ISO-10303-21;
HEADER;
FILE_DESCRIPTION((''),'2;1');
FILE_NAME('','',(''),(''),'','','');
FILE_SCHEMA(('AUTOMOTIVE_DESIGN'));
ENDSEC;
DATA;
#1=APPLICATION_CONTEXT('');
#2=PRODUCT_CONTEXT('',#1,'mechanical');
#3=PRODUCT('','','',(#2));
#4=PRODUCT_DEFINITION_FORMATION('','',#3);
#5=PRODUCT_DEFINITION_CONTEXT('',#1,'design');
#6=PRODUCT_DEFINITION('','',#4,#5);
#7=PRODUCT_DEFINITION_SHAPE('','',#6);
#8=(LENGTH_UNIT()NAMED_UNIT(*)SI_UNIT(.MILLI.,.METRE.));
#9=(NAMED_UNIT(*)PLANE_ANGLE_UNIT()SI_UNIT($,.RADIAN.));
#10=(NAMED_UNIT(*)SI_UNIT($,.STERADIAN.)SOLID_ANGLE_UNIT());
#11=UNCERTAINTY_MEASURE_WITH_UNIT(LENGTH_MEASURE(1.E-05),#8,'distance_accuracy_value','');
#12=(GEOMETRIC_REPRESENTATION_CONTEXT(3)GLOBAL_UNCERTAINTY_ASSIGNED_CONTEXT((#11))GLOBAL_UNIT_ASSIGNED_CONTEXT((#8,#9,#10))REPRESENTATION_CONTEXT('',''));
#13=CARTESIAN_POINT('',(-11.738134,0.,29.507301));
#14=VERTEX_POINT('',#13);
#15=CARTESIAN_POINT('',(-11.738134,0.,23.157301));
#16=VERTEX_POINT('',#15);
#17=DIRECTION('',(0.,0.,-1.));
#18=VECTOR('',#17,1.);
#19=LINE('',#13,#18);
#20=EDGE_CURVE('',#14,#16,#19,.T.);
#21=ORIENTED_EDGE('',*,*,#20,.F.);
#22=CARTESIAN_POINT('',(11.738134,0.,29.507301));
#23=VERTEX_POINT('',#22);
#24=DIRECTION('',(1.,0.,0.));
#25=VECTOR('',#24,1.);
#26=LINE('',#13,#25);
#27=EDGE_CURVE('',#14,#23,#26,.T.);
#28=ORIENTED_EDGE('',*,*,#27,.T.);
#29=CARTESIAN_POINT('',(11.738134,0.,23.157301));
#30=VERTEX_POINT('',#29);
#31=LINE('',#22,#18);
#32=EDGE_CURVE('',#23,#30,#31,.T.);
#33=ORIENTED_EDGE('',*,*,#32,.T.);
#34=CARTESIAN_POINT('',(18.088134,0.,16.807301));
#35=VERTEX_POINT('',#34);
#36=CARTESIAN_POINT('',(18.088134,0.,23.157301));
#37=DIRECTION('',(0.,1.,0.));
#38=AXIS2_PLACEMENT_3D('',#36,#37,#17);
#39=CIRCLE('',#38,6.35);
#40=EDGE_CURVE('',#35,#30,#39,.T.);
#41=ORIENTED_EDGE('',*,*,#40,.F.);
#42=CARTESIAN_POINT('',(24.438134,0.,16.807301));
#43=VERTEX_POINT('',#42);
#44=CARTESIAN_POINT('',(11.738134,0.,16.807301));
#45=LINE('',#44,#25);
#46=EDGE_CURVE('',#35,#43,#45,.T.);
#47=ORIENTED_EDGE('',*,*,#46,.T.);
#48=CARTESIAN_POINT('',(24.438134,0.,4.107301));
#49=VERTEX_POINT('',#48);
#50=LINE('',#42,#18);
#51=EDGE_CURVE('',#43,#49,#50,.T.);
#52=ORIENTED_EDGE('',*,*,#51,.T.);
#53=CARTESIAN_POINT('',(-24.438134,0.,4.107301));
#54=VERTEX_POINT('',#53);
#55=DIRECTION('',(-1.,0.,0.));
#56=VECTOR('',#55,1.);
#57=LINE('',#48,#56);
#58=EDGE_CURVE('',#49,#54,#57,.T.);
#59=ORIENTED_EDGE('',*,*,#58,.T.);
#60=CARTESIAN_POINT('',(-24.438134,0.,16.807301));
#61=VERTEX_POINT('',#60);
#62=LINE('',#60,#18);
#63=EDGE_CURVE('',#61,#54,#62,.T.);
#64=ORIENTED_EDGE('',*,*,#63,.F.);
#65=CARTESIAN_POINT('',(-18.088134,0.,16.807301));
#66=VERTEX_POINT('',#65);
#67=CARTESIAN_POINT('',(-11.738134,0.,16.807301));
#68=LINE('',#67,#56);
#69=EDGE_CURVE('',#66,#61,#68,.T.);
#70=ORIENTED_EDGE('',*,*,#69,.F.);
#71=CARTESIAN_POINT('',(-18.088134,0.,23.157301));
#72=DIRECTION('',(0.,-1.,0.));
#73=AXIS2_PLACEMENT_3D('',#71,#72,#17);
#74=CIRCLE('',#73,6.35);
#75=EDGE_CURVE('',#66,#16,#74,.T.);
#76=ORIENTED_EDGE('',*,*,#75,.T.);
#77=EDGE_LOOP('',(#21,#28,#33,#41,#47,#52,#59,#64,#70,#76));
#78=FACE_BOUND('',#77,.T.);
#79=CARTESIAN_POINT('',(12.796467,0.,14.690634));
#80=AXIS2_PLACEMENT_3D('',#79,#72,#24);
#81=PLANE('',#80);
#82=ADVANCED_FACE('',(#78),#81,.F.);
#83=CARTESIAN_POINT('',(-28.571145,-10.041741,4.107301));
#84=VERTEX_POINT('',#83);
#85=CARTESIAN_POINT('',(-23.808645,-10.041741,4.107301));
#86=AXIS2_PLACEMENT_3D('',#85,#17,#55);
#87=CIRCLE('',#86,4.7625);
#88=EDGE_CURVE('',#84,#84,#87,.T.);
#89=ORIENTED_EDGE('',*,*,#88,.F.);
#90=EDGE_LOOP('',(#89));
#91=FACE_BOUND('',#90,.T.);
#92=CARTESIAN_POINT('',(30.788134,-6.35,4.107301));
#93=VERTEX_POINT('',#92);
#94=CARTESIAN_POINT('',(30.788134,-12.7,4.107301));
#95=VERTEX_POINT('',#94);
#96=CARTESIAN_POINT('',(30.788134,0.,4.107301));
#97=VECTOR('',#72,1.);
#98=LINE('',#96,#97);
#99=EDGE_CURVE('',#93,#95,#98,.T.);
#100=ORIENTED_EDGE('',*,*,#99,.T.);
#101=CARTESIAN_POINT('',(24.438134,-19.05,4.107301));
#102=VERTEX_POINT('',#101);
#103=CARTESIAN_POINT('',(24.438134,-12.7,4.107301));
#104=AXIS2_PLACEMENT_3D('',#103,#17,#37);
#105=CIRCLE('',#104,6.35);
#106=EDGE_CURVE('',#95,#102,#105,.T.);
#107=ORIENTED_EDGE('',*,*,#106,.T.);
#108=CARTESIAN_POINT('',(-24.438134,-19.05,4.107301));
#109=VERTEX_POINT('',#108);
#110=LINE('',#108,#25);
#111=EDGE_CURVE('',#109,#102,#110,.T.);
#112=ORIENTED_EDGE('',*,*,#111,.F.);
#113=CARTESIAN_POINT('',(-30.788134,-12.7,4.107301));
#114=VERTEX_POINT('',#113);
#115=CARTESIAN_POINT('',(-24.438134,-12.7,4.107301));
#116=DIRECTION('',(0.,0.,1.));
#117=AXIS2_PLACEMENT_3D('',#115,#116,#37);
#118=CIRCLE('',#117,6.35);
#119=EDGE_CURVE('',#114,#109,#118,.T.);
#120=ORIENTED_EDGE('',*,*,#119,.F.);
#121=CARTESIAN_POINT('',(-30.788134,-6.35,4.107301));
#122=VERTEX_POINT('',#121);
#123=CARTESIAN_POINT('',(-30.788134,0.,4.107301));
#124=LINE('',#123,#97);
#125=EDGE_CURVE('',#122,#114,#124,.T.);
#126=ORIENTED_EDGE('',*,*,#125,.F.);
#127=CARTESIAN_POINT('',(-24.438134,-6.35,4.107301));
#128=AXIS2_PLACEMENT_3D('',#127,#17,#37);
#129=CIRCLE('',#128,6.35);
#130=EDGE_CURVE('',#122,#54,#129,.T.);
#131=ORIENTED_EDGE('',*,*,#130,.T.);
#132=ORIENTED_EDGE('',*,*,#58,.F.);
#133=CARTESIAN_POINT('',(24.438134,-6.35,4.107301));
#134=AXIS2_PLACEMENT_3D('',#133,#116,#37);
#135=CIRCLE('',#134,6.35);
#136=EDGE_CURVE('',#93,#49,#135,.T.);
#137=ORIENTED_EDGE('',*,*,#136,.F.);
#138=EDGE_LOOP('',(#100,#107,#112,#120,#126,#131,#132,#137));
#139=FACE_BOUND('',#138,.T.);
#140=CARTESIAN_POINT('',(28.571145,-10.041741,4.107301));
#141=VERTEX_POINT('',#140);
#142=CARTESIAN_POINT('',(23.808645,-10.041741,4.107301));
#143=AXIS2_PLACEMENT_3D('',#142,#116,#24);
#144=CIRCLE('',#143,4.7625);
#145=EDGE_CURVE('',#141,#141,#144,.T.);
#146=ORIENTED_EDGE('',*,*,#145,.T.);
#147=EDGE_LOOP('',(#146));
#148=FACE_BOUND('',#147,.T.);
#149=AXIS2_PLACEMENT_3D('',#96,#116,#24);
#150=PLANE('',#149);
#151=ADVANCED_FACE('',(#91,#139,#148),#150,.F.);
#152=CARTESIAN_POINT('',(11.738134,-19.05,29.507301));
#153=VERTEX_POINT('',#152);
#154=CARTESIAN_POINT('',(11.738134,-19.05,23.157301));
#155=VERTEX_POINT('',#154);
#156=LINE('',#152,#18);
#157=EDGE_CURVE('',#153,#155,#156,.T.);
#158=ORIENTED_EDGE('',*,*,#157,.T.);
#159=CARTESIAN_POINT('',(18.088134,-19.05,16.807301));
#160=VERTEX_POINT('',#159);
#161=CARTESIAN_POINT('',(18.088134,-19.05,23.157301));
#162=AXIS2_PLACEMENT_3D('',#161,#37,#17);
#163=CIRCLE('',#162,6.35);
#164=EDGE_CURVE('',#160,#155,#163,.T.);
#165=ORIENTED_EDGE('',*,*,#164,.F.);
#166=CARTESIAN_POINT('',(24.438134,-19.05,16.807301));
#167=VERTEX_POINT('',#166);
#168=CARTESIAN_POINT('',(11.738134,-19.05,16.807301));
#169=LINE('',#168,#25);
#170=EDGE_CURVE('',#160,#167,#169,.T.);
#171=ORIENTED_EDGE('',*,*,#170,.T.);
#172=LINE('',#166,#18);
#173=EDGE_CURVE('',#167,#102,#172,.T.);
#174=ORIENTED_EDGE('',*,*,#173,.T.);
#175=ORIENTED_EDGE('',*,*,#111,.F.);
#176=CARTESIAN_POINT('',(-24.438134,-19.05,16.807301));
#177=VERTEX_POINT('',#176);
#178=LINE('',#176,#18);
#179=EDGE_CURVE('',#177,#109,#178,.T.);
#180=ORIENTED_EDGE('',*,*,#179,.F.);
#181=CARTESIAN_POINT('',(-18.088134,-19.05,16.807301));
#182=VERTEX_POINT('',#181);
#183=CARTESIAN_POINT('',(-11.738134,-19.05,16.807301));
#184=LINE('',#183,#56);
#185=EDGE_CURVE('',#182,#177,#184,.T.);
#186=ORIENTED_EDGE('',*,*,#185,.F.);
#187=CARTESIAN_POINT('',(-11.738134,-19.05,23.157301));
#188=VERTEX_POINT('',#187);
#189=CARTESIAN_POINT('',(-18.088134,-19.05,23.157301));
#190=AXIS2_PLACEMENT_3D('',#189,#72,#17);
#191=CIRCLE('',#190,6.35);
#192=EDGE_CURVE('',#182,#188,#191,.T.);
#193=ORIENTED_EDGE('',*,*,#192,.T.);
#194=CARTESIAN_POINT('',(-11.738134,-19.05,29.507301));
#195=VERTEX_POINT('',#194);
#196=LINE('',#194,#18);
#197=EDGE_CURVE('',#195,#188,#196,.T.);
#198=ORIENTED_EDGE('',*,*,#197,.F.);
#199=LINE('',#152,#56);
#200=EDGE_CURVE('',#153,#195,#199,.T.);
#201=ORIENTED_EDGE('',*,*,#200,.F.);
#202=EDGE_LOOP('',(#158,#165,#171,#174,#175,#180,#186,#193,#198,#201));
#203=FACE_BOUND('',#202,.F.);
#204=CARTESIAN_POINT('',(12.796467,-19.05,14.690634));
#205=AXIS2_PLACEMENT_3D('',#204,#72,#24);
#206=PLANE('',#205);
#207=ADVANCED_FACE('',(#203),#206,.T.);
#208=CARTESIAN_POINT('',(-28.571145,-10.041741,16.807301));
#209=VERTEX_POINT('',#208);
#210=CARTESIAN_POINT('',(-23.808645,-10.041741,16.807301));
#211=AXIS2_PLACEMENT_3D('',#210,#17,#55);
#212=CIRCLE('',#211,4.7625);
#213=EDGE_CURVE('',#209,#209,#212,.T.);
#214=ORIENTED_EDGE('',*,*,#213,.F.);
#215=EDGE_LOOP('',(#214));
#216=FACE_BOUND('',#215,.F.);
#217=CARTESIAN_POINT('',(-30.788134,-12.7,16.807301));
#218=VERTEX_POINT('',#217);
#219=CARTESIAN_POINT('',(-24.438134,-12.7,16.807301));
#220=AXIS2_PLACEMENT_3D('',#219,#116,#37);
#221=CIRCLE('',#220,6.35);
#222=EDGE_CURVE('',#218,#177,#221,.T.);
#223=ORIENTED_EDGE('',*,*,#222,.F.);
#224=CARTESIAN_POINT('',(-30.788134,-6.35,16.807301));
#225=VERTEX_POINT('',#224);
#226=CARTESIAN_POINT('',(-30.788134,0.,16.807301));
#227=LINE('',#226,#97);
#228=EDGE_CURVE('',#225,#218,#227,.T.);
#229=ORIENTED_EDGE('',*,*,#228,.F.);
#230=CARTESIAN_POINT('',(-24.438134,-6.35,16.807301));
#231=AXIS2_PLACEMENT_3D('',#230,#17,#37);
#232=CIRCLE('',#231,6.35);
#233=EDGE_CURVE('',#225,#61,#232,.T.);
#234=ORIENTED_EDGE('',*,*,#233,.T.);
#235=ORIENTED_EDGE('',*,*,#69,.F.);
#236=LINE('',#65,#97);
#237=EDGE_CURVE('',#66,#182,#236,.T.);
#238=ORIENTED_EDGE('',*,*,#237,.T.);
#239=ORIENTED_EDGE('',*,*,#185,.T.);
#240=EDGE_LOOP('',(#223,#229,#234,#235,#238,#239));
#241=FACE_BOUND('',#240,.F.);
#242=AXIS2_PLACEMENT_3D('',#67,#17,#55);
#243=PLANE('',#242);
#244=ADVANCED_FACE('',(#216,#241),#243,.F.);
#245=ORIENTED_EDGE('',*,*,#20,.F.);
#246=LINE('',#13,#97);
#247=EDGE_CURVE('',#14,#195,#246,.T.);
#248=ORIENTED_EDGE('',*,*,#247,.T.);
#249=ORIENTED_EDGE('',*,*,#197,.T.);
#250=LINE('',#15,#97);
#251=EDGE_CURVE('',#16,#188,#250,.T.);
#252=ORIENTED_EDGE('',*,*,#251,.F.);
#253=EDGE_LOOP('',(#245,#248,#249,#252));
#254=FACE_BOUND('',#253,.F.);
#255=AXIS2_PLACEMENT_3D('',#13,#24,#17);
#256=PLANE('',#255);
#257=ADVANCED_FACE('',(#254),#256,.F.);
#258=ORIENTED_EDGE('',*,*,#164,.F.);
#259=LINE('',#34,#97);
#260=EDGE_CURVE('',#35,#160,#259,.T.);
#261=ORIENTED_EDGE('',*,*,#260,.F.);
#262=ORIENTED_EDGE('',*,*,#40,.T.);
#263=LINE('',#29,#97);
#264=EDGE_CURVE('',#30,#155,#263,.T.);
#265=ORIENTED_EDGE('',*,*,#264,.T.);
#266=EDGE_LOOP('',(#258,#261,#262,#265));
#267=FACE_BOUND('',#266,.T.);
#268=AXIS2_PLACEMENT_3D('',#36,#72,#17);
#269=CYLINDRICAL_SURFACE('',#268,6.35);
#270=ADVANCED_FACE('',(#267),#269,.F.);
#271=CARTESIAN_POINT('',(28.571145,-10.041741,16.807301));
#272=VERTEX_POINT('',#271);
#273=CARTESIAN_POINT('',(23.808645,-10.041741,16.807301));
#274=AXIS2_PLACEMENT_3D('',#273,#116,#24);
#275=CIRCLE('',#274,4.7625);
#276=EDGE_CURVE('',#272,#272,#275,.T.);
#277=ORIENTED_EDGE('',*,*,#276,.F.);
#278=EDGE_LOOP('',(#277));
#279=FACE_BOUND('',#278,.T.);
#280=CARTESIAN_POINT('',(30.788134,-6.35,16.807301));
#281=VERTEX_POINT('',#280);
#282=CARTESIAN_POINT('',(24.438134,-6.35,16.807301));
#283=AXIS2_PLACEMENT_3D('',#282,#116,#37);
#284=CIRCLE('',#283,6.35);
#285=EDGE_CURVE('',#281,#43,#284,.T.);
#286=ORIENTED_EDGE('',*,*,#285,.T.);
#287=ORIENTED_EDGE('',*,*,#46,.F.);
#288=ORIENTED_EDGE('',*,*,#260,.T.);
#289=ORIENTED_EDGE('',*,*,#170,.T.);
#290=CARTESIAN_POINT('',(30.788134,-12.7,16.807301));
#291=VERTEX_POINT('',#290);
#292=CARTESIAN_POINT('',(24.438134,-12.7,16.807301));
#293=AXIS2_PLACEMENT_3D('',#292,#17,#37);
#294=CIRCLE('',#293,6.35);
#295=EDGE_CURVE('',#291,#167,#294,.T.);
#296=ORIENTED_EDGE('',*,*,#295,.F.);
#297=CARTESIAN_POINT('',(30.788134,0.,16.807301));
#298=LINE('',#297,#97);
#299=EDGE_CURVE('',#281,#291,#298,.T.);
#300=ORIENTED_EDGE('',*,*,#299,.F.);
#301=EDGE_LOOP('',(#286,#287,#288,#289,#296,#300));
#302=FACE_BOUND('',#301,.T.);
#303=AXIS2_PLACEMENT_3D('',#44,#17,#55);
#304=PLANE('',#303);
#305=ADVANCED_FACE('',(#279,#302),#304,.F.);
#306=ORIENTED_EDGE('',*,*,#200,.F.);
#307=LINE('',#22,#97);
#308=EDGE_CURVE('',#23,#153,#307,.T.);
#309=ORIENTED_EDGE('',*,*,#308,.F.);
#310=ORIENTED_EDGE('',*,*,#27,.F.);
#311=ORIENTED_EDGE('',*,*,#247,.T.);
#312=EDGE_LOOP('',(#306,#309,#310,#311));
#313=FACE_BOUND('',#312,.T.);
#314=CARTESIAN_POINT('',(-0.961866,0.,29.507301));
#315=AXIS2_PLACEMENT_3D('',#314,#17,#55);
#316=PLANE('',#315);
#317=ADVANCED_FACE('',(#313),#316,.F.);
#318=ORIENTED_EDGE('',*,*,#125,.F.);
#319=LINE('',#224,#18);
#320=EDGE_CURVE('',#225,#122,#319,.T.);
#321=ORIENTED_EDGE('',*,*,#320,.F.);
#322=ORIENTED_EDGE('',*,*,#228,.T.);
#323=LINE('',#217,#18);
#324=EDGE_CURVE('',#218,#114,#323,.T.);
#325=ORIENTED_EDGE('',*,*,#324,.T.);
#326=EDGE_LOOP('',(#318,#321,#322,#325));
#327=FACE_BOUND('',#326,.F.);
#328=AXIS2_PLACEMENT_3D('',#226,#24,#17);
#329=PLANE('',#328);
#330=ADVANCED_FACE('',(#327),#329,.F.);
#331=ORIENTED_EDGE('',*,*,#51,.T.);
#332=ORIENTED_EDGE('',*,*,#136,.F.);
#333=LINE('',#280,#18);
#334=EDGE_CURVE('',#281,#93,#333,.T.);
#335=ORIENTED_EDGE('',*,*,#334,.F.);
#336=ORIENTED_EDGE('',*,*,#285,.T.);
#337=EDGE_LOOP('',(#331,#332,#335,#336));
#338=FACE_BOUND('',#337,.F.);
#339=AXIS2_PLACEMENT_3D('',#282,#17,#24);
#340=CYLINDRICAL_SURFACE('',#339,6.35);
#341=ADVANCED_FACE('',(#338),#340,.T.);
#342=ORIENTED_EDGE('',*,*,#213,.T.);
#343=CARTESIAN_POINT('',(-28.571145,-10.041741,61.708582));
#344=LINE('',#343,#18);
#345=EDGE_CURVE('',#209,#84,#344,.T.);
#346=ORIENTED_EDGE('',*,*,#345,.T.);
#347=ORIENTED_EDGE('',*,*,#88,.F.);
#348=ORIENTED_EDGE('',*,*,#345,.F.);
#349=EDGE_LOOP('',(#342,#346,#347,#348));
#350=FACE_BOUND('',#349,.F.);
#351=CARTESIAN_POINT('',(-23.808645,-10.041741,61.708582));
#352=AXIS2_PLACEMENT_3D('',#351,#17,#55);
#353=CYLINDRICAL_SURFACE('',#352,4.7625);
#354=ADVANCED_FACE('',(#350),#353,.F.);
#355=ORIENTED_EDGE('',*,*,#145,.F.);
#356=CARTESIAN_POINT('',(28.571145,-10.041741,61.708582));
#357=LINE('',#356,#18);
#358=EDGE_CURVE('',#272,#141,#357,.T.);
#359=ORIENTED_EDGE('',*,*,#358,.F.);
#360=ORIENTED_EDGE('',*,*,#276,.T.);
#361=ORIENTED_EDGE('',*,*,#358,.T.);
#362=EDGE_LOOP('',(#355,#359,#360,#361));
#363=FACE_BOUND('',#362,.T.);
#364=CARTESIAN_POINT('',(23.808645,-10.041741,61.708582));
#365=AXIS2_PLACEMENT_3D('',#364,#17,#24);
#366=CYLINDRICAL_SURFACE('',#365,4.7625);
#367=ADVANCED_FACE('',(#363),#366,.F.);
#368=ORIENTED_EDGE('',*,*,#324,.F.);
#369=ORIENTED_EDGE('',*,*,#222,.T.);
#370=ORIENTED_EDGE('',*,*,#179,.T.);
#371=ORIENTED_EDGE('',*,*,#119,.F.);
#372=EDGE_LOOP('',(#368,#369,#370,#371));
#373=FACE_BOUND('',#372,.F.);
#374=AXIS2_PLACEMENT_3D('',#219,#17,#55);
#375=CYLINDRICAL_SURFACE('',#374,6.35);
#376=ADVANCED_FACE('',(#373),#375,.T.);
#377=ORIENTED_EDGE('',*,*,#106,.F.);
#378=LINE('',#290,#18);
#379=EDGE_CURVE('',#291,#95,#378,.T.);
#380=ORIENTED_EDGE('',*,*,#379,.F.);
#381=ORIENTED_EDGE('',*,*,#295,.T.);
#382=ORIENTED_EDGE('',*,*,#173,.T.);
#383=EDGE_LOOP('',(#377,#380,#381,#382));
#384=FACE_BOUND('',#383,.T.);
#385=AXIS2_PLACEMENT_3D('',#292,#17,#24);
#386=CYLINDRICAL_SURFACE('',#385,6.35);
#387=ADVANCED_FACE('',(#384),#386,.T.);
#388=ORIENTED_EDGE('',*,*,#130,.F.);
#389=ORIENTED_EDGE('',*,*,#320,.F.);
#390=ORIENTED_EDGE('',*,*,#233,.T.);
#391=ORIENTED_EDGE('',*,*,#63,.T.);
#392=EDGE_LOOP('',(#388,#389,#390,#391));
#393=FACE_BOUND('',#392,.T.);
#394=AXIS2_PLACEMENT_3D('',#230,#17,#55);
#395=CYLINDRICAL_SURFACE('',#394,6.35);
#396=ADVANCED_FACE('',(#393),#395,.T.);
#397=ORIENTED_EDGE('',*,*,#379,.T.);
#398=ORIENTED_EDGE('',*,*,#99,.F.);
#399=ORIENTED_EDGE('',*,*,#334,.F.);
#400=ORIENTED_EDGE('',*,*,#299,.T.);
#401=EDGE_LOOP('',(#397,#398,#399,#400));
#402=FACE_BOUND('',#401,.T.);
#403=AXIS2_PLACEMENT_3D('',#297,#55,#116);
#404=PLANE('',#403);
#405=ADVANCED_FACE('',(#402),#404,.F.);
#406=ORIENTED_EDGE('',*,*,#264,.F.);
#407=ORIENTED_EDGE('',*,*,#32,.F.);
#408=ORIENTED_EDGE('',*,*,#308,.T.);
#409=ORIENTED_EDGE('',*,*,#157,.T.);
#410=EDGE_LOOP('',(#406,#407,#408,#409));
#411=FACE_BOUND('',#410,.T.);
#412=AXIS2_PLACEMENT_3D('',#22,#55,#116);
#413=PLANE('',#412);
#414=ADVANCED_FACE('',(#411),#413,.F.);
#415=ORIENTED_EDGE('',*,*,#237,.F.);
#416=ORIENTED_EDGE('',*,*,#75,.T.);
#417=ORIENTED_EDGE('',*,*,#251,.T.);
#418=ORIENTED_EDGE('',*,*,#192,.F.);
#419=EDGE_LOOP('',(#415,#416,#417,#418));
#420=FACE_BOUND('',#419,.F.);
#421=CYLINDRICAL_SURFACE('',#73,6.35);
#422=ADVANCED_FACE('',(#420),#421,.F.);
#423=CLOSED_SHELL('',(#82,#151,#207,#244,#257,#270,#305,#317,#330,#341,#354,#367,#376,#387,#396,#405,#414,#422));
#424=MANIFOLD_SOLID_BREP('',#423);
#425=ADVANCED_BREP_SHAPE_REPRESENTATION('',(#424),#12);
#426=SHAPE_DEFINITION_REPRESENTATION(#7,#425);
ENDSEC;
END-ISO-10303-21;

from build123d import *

# Parameters (mm, degrees)
F1_DEPTH = 19.05
F2_R     = 6.35
F4_D     = 9.525


with BuildPart() as f1:
    # F0 (on Front) → F1 (new body)
    with BuildSketch(Plane.XZ):
        Polygon((-11.738134, 16.807301), (-30.788134, 16.807301), (-30.788134, 4.107301), (0.961866, 4.107301), (0.961866, 29.507301), (-11.738134, 29.507301), align=None)
    extrude(amount=F1_DEPTH)

    # F2
    f2_edges = [f1.edges().sort_by_distance(p)[0] for p in [
        (-30.788134, 0, 10.457301),
        (-30.788134, -19.05, 10.457301),
        (-11.738134, -9.525, 16.807301),
    ]]
    fillet(f2_edges, radius=F2_R)

    # F4 (through all)
    with Locations(Plane.XY.offset(16.807301)):
        with Locations((-23.808645, -10.041741)):
            Hole(F4_D / 2)

    # F5: F1 across plane


with BuildPart() as f1_1:
    add(f1.part)
    add(f1.part.mirror(Plane.YZ))


solid = f1_1.part
